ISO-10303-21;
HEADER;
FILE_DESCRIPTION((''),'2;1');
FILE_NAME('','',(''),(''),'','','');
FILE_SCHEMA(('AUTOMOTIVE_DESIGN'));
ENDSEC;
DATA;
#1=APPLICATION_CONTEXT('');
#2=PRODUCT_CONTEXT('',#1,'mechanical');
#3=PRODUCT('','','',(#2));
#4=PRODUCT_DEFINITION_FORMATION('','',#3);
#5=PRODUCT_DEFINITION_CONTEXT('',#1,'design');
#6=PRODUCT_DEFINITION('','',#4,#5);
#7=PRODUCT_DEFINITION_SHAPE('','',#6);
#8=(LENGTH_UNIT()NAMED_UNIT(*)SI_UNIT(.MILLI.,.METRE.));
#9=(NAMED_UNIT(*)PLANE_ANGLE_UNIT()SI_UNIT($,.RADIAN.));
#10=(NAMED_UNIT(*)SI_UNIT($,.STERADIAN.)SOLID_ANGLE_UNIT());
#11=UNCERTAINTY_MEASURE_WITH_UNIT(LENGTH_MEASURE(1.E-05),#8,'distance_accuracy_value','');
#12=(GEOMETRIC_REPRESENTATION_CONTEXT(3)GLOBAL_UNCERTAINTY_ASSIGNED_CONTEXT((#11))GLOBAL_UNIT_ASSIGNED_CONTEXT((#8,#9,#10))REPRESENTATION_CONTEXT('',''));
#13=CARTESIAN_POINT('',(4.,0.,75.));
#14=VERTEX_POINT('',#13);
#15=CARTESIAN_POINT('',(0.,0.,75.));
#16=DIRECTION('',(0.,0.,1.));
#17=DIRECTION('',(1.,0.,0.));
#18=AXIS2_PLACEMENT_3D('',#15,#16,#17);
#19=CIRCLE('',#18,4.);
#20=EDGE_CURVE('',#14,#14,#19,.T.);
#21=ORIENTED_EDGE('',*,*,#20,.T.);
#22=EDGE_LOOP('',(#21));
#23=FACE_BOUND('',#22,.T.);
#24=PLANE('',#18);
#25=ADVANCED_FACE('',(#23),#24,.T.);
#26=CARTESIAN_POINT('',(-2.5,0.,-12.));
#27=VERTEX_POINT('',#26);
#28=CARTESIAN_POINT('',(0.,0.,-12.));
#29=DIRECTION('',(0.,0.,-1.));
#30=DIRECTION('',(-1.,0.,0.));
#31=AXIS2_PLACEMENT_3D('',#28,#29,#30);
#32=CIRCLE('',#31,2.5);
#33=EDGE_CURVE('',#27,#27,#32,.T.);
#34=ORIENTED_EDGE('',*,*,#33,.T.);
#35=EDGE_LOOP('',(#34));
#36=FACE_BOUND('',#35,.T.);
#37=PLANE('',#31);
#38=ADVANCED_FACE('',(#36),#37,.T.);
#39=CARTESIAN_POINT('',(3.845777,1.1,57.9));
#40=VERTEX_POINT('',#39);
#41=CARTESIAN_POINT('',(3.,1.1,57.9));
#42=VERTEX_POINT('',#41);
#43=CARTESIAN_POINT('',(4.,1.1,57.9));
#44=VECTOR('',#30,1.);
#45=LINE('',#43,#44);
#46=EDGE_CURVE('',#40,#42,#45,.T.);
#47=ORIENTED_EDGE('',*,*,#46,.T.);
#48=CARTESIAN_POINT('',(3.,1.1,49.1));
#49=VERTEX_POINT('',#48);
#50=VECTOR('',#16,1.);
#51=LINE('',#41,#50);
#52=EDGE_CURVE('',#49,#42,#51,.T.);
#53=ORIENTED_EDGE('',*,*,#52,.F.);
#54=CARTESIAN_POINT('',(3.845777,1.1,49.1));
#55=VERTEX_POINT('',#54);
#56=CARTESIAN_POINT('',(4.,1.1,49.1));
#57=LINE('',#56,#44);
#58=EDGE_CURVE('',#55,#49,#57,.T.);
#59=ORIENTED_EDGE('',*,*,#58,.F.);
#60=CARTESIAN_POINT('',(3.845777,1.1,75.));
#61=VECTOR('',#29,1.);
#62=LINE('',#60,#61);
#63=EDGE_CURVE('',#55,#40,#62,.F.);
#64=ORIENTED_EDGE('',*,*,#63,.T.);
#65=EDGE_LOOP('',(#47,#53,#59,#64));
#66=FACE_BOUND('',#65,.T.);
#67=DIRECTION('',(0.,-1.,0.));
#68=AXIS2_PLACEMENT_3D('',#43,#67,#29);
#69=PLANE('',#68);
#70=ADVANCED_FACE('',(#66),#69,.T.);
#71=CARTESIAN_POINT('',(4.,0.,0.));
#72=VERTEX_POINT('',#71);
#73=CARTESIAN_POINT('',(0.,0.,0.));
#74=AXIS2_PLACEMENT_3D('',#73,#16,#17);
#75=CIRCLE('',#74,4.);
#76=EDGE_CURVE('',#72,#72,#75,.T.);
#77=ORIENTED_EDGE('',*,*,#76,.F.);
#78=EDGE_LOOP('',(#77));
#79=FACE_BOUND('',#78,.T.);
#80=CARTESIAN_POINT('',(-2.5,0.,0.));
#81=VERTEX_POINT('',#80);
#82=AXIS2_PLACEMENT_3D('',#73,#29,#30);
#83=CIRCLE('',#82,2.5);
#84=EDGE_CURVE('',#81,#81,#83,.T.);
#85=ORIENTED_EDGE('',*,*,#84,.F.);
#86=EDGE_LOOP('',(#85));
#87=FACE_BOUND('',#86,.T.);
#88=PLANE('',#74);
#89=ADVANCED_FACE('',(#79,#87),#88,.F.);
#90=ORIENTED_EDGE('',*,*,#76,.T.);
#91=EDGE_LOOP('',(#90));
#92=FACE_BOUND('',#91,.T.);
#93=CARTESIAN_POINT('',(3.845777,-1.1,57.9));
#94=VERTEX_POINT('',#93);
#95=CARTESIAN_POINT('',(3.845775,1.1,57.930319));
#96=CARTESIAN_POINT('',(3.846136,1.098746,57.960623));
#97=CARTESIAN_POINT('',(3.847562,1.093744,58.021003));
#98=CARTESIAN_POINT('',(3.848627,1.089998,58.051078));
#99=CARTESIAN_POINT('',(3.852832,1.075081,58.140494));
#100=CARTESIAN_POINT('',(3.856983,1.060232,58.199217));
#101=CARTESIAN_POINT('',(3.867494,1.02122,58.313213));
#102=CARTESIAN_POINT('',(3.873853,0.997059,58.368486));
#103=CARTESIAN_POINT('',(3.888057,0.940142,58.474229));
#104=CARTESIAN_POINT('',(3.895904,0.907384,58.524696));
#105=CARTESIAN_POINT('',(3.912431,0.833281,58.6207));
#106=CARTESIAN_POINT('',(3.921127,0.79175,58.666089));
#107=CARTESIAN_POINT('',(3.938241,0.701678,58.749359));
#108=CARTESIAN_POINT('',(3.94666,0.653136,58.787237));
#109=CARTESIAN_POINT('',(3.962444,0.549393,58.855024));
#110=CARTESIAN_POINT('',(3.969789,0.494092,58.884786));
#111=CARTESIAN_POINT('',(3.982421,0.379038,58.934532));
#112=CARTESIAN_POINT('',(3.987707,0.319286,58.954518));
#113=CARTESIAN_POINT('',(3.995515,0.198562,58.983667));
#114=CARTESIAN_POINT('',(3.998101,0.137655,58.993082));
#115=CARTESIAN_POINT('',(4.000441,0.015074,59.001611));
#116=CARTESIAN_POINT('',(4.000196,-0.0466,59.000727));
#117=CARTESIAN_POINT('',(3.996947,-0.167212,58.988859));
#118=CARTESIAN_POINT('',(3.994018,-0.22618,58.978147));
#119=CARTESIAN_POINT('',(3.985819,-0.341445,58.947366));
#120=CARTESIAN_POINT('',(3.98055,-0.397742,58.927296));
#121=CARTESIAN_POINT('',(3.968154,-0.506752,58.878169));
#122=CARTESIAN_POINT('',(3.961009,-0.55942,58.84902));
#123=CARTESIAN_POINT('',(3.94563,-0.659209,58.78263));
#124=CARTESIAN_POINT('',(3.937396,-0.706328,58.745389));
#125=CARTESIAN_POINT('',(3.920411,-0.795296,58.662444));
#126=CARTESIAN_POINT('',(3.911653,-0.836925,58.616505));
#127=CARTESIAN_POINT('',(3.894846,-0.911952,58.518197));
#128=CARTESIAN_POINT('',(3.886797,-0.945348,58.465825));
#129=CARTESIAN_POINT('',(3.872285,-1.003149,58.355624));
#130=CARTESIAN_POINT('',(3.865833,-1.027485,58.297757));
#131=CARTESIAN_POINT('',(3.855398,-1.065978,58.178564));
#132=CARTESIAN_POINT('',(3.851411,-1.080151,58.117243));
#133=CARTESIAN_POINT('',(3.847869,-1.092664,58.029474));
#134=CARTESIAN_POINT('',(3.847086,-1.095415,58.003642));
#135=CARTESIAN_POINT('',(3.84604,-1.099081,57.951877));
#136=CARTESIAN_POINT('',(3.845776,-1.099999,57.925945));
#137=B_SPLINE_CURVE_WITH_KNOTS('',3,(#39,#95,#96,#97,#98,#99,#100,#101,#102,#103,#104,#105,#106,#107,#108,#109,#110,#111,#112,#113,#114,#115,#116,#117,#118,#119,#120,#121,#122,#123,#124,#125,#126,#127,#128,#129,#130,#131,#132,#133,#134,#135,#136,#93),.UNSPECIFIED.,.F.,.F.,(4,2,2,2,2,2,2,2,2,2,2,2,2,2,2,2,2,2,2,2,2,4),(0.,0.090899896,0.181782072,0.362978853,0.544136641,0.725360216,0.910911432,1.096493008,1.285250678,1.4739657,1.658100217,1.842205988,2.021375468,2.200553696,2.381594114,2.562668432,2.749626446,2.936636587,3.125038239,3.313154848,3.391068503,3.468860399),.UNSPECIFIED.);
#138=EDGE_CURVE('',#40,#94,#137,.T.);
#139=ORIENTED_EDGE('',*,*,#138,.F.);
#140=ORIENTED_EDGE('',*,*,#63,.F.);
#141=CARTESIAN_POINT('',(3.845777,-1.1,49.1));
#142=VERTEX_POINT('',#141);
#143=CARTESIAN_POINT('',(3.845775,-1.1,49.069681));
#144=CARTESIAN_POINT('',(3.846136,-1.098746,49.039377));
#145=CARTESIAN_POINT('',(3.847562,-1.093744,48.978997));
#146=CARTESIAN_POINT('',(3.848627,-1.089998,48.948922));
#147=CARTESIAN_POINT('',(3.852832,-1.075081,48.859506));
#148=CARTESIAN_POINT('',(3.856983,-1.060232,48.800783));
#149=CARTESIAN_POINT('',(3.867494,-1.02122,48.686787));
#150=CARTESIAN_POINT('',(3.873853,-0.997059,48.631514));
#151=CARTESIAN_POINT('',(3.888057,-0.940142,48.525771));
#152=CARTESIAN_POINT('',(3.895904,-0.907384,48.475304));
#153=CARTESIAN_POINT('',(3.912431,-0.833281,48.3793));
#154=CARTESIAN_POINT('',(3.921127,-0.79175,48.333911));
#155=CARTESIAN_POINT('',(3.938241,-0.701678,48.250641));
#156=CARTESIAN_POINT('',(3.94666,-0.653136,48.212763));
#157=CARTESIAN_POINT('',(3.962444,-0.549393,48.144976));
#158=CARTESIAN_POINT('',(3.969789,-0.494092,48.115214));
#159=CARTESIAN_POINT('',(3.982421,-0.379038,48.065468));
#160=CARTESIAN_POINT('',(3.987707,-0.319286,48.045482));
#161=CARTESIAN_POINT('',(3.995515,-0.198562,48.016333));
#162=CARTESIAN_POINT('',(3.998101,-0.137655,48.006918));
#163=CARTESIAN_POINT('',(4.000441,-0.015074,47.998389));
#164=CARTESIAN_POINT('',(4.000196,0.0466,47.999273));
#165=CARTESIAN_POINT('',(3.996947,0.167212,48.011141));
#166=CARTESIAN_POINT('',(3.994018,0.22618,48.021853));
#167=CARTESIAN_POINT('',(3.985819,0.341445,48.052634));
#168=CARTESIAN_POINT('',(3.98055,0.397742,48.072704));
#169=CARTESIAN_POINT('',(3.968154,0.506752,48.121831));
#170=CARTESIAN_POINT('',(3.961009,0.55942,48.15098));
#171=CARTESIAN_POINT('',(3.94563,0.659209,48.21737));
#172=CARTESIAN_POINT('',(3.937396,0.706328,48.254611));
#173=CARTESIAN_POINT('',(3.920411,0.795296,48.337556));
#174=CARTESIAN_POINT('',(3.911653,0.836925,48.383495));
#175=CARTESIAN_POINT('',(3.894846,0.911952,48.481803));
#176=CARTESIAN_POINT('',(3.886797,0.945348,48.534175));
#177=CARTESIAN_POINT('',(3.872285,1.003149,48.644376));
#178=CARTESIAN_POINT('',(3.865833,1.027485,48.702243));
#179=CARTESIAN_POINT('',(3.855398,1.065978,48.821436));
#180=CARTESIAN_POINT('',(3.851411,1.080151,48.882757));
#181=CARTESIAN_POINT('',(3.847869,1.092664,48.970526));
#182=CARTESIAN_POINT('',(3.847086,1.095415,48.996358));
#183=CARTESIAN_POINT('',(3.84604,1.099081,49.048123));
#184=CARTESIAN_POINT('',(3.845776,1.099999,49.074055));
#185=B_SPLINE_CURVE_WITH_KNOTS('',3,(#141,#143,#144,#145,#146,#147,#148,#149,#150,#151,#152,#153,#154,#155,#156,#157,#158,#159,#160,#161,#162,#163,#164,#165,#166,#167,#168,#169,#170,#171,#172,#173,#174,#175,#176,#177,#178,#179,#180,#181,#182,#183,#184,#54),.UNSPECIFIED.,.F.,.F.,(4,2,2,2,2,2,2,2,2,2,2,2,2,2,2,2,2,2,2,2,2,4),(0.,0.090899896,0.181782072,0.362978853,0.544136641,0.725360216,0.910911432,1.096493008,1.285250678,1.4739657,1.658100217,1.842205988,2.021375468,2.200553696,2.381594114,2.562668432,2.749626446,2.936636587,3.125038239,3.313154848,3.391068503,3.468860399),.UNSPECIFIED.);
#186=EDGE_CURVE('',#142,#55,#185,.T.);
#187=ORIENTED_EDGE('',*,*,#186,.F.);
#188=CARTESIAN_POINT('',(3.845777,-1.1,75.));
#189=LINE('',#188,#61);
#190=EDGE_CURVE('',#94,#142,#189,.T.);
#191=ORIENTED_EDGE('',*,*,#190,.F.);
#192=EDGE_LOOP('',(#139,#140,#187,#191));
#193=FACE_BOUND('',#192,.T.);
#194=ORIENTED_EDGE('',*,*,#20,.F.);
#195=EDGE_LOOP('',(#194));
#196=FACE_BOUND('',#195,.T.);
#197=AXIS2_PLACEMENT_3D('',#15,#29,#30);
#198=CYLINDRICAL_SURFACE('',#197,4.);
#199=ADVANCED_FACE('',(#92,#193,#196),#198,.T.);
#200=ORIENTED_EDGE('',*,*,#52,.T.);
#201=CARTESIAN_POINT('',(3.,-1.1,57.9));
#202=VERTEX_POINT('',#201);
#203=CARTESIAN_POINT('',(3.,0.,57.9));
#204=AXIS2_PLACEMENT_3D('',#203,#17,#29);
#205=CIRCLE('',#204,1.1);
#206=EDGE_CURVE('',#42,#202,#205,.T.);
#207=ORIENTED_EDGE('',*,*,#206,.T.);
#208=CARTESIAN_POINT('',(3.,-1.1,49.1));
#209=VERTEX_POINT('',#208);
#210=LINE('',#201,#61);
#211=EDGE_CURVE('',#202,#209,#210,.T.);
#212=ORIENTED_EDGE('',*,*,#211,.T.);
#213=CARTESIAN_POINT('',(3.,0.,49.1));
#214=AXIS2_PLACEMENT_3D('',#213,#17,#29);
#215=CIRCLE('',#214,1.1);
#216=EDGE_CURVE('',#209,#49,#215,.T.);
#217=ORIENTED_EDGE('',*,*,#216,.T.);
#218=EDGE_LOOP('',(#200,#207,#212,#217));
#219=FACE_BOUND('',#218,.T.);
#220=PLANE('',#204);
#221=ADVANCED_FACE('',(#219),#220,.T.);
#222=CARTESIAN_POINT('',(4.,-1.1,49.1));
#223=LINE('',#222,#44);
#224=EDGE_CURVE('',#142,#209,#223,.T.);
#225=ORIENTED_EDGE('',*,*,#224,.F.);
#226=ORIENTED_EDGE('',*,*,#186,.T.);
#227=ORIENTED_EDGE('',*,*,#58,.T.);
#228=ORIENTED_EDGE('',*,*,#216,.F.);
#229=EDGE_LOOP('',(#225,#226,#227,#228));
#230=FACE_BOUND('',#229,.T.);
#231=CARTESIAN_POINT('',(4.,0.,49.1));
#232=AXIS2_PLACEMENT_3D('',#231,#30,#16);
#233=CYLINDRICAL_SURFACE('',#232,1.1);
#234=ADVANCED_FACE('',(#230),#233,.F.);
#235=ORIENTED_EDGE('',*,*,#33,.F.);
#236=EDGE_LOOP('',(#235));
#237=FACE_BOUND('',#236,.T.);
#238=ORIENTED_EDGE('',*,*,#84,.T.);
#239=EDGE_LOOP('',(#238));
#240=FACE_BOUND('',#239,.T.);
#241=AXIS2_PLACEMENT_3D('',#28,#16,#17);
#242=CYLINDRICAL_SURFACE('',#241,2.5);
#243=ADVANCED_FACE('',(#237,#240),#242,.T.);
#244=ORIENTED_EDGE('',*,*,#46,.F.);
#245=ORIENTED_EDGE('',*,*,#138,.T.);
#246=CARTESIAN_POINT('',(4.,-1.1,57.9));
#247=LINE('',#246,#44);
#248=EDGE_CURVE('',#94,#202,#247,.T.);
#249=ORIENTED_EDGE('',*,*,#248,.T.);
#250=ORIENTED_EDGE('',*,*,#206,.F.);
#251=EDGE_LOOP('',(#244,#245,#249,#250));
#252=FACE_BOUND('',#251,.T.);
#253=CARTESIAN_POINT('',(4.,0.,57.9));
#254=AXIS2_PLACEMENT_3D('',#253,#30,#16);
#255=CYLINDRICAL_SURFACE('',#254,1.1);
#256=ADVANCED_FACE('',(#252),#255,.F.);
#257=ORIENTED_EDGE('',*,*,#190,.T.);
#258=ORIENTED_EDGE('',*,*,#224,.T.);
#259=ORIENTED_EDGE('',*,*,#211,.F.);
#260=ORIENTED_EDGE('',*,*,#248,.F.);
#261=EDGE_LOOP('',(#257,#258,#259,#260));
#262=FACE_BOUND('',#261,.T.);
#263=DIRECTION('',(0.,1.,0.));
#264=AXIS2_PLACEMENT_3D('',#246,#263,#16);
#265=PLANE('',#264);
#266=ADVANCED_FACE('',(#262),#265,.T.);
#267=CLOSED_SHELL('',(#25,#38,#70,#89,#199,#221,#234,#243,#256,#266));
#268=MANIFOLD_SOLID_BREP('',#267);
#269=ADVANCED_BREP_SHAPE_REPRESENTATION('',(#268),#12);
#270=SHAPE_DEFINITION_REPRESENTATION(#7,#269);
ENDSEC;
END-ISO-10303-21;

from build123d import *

# Parameters (mm, degrees)
SKETCH_1_R          = 4
EXTRUDE_1_DEPTH     = 75
SKETCH_2_R          = 2.5
EXTRUDE_2_DEPTH     = 12
CUT_EXTRUDE_1_DEPTH = 2


with BuildPart() as part:
    # ｽｹｯﾁ1 → ﾎﾞｽ - 押し出し1 (new body)
    with BuildSketch(Plane.XY):
        Circle(SKETCH_1_R)
    extrude(amount=EXTRUDE_1_DEPTH)

    # ｽｹｯﾁ2 → ﾎﾞｽ - 押し出し2 (add)
    with BuildSketch(Plane(origin=(0, 0, 0), x_dir=(-1, 0, 0), z_dir=(0, 0, -1))):
        Circle(SKETCH_2_R)
    extrude(amount=EXTRUDE_2_DEPTH)

    # ｽｹｯﾁ3 → ｶｯﾄ - 押し出し1 (cut, through all)
    with BuildSketch(Plane(origin=(3, 0, 0), x_dir=(0, 0, -1), z_dir=(1, 0, 0))):
        with BuildLine():
            Line((-57.9, 1.1), (-49.1, 1.1))
            ThreePointArc((-49.1, 1.1), (-48, 0), (-49.1, -1.1))
            Line((-49.1, -1.1), (-57.9, -1.1))
            ThreePointArc((-57.9, -1.1), (-59, 0), (-57.9, 1.1))
        make_face()
    extrude(amount=CUT_EXTRUDE_1_DEPTH, mode=Mode.SUBTRACT)


solid = part.part
